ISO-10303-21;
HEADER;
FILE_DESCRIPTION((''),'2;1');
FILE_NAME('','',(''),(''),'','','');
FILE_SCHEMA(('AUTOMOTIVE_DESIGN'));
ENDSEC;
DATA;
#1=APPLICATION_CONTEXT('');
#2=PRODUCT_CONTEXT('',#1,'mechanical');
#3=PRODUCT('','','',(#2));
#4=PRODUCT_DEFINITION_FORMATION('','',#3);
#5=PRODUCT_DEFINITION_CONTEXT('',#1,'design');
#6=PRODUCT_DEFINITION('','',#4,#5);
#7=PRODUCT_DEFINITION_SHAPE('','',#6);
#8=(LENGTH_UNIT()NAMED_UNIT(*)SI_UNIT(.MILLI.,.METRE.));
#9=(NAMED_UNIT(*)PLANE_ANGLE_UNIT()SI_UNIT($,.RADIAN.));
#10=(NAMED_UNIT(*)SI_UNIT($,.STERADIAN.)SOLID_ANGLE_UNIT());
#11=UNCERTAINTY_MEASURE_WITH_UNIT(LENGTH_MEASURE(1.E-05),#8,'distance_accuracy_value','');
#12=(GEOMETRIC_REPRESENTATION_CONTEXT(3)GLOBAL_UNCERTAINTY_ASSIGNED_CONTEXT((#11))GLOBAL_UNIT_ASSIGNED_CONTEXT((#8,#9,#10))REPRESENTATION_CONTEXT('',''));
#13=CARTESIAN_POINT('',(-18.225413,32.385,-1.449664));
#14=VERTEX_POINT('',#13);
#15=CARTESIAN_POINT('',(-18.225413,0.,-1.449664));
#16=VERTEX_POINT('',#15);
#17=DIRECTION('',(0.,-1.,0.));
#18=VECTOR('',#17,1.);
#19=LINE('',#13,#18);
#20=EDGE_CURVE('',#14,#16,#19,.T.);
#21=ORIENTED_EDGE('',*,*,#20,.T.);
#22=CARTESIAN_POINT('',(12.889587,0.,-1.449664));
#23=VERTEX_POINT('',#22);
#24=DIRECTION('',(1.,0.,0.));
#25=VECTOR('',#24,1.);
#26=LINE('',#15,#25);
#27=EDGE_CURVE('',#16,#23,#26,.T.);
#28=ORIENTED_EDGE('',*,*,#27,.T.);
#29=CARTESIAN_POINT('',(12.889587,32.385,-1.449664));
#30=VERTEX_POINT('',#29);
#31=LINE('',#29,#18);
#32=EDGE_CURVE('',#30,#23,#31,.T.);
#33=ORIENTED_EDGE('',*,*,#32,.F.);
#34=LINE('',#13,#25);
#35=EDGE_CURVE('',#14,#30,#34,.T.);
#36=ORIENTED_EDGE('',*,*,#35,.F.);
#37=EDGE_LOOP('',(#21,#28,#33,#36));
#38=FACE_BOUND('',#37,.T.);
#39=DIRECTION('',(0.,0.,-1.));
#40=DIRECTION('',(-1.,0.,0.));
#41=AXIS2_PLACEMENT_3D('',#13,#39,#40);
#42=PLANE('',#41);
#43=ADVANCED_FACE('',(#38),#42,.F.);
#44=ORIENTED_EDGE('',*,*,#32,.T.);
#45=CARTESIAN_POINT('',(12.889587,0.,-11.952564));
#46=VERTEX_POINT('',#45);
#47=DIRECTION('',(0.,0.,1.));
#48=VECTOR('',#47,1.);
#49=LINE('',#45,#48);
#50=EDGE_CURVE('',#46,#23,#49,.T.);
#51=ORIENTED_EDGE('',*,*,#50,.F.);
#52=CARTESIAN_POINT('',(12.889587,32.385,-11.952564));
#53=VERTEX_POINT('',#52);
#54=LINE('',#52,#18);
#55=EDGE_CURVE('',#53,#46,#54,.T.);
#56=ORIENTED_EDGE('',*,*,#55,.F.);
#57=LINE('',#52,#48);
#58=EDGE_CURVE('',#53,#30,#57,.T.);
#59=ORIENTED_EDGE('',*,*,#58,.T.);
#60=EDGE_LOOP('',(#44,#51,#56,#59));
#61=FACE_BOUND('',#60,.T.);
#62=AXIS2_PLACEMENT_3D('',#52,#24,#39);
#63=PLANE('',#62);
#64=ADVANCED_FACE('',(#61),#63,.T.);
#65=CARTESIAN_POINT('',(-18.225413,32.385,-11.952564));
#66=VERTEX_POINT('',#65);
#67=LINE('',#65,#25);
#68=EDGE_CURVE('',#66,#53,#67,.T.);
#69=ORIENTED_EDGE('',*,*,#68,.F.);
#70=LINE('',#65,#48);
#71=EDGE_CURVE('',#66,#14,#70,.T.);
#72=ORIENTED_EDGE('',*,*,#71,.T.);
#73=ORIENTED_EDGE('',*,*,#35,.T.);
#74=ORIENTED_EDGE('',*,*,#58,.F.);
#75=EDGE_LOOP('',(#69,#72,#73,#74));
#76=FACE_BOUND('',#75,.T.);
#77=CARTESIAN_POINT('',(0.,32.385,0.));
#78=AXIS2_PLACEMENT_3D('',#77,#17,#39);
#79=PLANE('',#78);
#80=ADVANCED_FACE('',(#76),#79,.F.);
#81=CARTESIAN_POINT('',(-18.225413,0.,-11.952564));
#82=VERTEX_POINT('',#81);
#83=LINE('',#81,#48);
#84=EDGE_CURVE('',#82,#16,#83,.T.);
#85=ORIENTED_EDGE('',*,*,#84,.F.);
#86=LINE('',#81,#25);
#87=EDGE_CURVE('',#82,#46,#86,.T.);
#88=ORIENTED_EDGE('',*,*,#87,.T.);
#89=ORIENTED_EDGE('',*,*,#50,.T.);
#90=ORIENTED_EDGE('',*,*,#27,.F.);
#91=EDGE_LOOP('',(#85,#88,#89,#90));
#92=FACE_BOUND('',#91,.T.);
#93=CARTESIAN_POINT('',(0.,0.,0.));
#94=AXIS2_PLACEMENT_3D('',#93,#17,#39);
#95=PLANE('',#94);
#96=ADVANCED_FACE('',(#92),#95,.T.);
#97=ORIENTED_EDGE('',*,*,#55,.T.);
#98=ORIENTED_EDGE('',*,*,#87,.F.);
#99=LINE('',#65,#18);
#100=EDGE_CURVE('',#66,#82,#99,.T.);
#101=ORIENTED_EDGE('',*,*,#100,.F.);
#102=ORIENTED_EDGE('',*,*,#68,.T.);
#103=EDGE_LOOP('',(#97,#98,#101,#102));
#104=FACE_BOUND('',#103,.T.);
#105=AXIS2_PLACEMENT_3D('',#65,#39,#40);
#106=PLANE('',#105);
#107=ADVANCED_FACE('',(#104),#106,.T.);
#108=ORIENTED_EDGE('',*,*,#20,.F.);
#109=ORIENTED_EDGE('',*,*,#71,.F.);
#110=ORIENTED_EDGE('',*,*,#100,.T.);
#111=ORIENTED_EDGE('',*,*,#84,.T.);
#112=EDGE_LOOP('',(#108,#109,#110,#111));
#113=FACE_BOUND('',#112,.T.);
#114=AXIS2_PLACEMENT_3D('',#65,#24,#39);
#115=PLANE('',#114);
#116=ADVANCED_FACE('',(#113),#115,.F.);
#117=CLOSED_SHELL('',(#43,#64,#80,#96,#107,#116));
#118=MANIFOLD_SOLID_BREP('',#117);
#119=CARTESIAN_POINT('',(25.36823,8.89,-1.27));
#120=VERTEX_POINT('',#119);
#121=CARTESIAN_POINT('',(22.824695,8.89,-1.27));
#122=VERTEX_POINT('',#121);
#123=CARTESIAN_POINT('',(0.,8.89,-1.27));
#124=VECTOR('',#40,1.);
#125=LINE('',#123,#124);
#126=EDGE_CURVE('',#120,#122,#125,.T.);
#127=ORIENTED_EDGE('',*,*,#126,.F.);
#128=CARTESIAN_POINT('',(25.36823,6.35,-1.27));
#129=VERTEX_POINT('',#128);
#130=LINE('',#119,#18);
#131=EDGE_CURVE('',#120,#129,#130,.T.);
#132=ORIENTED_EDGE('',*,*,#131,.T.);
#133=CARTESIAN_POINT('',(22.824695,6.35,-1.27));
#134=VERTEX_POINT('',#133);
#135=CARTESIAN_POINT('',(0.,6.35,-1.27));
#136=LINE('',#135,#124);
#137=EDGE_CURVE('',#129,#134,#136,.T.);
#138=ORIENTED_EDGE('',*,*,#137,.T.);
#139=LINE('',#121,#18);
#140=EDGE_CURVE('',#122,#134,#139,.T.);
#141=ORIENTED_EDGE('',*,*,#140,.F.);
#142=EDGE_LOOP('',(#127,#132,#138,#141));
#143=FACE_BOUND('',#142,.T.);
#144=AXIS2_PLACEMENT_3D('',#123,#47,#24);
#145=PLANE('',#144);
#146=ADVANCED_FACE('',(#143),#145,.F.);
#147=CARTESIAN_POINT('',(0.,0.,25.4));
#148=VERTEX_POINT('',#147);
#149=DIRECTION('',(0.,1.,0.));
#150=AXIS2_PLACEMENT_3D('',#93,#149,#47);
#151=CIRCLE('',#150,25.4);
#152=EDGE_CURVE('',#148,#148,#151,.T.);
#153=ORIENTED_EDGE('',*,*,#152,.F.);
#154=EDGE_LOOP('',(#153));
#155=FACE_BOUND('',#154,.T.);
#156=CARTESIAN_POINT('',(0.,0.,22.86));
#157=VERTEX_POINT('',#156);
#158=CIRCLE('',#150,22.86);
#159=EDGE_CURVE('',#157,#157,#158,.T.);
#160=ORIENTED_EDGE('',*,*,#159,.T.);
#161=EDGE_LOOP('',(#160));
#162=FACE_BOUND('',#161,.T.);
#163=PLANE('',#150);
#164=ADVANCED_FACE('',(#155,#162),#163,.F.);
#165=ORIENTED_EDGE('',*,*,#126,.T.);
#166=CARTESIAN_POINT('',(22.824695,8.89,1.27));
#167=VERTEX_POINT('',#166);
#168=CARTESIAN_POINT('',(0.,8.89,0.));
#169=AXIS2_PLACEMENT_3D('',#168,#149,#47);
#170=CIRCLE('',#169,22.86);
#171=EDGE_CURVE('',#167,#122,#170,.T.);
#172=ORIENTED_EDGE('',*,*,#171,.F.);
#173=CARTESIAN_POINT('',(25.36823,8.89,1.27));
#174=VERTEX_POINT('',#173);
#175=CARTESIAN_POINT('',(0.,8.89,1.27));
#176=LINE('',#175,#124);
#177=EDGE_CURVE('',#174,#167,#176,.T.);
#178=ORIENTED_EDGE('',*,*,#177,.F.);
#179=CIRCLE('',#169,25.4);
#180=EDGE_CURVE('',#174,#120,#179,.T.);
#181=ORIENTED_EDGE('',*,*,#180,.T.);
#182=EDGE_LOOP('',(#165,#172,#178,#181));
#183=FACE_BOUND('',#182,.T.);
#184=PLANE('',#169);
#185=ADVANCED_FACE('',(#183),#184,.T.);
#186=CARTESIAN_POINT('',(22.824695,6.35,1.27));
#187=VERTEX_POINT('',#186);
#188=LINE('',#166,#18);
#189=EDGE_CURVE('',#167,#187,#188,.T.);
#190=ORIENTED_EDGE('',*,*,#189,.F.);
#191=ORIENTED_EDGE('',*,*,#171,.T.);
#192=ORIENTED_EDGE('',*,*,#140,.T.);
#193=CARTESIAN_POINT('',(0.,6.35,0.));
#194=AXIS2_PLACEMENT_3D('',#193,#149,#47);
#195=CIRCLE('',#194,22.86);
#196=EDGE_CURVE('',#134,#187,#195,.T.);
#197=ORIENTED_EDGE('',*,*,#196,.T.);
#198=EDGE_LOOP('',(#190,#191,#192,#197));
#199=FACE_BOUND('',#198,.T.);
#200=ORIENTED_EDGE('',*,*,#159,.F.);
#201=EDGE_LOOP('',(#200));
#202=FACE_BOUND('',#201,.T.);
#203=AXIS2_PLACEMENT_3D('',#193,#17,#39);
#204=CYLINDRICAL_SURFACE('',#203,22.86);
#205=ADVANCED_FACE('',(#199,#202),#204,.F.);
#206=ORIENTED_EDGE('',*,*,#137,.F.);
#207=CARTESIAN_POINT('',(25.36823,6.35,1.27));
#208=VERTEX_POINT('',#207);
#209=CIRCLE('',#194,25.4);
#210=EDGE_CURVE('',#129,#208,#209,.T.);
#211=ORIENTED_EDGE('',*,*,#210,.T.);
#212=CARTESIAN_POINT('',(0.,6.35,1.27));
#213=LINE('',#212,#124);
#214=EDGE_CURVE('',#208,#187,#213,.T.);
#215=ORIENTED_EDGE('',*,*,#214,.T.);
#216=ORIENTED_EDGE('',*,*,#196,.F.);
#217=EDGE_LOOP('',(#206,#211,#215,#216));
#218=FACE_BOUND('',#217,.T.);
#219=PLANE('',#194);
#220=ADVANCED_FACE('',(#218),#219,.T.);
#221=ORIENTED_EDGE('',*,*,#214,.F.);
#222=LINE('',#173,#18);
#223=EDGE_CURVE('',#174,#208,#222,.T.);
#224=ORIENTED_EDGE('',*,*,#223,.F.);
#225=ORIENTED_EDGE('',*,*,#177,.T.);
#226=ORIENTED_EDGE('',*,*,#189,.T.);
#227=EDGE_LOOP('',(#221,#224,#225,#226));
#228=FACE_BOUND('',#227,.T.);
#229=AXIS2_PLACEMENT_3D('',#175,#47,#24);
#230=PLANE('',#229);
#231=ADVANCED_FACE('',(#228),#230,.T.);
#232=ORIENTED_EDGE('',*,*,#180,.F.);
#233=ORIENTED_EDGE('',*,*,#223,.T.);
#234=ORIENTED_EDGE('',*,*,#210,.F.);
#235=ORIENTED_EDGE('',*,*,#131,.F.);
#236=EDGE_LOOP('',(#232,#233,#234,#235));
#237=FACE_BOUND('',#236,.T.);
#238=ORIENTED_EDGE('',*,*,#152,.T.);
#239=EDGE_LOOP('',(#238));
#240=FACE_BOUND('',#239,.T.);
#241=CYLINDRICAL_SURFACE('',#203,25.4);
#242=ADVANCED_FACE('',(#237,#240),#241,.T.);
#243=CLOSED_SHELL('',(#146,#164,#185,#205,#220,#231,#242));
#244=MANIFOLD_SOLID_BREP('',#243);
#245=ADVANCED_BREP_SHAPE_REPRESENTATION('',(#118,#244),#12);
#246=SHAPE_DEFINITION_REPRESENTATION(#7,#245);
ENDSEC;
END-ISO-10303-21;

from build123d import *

# Parameters (mm, degrees)
SKETCH1_W           = 31.115
SKETCH1_H           = 10.5029
BOSS_EXTRUDE1_DEPTH = 32.385
SKETCH1_8_R         = 25.4
SKETCH1_8_R_2       = 22.86
BOSS_EXTRUDE4_DEPTH = 6.35
BOSS_EXTRUDE5_START = 6.35
BOSS_EXTRUDE5_DEPTH = 2.54


with BuildPart() as part:
    # Sketch1 → Boss-Extrude1 (new body)
    with BuildSketch(Plane(origin=(0, 0, 0), x_dir=(1, 0, 0), z_dir=(0, 1, 0))):
        with Locations((-2.667913404, 6.70111363)):
            Rectangle(SKETCH1_W, SKETCH1_H)
    extrude(amount=BOSS_EXTRUDE1_DEPTH)


with BuildPart() as body_2:
    # Sketch1<8> → Boss-Extrude4 (new body)
    with BuildSketch(Plane(origin=(0, 0, 0), x_dir=(1, 0, 0), z_dir=(0, 1, 0))):
        with Locations(Location((0, 0, 0), (0, 0, 270))):
            Circle(SKETCH1_8_R)
        with Locations(Location((0, 0, 0), (0, 0, 270))):
            Circle(SKETCH1_8_R_2, mode=Mode.SUBTRACT)
    extrude(amount=BOSS_EXTRUDE4_DEPTH)

    # Sketch1<9> → Boss-Extrude5 (add)
    with BuildSketch(Plane(origin=(0, 0, 0), x_dir=(1, 0, 0), z_dir=(0, 1, 0)).offset(BOSS_EXTRUDE5_START)):
        with BuildLine():
            Line((25.368230131, 1.27), (22.82469496, 1.27))
            ThreePointArc((22.82469496, 1.27), (22.851172035, 0.635245316), (22.86, 0))
            ThreePointArc((22.86, 0), (22.851172035, -0.635245316), (22.82469496, -1.27))
            Line((22.82469496, -1.27), (25.368230131, -1.27))
            ThreePointArc((25.368230131, -1.27), (25.392056291, -0.635198655), (25.4, 0))
            ThreePointArc((25.4, 0), (25.392056291, 0.635198655), (25.368230131, 1.27))
        make_face()
    extrude(amount=BOSS_EXTRUDE5_DEPTH)


solid = Compound([part.part, body_2.part])
